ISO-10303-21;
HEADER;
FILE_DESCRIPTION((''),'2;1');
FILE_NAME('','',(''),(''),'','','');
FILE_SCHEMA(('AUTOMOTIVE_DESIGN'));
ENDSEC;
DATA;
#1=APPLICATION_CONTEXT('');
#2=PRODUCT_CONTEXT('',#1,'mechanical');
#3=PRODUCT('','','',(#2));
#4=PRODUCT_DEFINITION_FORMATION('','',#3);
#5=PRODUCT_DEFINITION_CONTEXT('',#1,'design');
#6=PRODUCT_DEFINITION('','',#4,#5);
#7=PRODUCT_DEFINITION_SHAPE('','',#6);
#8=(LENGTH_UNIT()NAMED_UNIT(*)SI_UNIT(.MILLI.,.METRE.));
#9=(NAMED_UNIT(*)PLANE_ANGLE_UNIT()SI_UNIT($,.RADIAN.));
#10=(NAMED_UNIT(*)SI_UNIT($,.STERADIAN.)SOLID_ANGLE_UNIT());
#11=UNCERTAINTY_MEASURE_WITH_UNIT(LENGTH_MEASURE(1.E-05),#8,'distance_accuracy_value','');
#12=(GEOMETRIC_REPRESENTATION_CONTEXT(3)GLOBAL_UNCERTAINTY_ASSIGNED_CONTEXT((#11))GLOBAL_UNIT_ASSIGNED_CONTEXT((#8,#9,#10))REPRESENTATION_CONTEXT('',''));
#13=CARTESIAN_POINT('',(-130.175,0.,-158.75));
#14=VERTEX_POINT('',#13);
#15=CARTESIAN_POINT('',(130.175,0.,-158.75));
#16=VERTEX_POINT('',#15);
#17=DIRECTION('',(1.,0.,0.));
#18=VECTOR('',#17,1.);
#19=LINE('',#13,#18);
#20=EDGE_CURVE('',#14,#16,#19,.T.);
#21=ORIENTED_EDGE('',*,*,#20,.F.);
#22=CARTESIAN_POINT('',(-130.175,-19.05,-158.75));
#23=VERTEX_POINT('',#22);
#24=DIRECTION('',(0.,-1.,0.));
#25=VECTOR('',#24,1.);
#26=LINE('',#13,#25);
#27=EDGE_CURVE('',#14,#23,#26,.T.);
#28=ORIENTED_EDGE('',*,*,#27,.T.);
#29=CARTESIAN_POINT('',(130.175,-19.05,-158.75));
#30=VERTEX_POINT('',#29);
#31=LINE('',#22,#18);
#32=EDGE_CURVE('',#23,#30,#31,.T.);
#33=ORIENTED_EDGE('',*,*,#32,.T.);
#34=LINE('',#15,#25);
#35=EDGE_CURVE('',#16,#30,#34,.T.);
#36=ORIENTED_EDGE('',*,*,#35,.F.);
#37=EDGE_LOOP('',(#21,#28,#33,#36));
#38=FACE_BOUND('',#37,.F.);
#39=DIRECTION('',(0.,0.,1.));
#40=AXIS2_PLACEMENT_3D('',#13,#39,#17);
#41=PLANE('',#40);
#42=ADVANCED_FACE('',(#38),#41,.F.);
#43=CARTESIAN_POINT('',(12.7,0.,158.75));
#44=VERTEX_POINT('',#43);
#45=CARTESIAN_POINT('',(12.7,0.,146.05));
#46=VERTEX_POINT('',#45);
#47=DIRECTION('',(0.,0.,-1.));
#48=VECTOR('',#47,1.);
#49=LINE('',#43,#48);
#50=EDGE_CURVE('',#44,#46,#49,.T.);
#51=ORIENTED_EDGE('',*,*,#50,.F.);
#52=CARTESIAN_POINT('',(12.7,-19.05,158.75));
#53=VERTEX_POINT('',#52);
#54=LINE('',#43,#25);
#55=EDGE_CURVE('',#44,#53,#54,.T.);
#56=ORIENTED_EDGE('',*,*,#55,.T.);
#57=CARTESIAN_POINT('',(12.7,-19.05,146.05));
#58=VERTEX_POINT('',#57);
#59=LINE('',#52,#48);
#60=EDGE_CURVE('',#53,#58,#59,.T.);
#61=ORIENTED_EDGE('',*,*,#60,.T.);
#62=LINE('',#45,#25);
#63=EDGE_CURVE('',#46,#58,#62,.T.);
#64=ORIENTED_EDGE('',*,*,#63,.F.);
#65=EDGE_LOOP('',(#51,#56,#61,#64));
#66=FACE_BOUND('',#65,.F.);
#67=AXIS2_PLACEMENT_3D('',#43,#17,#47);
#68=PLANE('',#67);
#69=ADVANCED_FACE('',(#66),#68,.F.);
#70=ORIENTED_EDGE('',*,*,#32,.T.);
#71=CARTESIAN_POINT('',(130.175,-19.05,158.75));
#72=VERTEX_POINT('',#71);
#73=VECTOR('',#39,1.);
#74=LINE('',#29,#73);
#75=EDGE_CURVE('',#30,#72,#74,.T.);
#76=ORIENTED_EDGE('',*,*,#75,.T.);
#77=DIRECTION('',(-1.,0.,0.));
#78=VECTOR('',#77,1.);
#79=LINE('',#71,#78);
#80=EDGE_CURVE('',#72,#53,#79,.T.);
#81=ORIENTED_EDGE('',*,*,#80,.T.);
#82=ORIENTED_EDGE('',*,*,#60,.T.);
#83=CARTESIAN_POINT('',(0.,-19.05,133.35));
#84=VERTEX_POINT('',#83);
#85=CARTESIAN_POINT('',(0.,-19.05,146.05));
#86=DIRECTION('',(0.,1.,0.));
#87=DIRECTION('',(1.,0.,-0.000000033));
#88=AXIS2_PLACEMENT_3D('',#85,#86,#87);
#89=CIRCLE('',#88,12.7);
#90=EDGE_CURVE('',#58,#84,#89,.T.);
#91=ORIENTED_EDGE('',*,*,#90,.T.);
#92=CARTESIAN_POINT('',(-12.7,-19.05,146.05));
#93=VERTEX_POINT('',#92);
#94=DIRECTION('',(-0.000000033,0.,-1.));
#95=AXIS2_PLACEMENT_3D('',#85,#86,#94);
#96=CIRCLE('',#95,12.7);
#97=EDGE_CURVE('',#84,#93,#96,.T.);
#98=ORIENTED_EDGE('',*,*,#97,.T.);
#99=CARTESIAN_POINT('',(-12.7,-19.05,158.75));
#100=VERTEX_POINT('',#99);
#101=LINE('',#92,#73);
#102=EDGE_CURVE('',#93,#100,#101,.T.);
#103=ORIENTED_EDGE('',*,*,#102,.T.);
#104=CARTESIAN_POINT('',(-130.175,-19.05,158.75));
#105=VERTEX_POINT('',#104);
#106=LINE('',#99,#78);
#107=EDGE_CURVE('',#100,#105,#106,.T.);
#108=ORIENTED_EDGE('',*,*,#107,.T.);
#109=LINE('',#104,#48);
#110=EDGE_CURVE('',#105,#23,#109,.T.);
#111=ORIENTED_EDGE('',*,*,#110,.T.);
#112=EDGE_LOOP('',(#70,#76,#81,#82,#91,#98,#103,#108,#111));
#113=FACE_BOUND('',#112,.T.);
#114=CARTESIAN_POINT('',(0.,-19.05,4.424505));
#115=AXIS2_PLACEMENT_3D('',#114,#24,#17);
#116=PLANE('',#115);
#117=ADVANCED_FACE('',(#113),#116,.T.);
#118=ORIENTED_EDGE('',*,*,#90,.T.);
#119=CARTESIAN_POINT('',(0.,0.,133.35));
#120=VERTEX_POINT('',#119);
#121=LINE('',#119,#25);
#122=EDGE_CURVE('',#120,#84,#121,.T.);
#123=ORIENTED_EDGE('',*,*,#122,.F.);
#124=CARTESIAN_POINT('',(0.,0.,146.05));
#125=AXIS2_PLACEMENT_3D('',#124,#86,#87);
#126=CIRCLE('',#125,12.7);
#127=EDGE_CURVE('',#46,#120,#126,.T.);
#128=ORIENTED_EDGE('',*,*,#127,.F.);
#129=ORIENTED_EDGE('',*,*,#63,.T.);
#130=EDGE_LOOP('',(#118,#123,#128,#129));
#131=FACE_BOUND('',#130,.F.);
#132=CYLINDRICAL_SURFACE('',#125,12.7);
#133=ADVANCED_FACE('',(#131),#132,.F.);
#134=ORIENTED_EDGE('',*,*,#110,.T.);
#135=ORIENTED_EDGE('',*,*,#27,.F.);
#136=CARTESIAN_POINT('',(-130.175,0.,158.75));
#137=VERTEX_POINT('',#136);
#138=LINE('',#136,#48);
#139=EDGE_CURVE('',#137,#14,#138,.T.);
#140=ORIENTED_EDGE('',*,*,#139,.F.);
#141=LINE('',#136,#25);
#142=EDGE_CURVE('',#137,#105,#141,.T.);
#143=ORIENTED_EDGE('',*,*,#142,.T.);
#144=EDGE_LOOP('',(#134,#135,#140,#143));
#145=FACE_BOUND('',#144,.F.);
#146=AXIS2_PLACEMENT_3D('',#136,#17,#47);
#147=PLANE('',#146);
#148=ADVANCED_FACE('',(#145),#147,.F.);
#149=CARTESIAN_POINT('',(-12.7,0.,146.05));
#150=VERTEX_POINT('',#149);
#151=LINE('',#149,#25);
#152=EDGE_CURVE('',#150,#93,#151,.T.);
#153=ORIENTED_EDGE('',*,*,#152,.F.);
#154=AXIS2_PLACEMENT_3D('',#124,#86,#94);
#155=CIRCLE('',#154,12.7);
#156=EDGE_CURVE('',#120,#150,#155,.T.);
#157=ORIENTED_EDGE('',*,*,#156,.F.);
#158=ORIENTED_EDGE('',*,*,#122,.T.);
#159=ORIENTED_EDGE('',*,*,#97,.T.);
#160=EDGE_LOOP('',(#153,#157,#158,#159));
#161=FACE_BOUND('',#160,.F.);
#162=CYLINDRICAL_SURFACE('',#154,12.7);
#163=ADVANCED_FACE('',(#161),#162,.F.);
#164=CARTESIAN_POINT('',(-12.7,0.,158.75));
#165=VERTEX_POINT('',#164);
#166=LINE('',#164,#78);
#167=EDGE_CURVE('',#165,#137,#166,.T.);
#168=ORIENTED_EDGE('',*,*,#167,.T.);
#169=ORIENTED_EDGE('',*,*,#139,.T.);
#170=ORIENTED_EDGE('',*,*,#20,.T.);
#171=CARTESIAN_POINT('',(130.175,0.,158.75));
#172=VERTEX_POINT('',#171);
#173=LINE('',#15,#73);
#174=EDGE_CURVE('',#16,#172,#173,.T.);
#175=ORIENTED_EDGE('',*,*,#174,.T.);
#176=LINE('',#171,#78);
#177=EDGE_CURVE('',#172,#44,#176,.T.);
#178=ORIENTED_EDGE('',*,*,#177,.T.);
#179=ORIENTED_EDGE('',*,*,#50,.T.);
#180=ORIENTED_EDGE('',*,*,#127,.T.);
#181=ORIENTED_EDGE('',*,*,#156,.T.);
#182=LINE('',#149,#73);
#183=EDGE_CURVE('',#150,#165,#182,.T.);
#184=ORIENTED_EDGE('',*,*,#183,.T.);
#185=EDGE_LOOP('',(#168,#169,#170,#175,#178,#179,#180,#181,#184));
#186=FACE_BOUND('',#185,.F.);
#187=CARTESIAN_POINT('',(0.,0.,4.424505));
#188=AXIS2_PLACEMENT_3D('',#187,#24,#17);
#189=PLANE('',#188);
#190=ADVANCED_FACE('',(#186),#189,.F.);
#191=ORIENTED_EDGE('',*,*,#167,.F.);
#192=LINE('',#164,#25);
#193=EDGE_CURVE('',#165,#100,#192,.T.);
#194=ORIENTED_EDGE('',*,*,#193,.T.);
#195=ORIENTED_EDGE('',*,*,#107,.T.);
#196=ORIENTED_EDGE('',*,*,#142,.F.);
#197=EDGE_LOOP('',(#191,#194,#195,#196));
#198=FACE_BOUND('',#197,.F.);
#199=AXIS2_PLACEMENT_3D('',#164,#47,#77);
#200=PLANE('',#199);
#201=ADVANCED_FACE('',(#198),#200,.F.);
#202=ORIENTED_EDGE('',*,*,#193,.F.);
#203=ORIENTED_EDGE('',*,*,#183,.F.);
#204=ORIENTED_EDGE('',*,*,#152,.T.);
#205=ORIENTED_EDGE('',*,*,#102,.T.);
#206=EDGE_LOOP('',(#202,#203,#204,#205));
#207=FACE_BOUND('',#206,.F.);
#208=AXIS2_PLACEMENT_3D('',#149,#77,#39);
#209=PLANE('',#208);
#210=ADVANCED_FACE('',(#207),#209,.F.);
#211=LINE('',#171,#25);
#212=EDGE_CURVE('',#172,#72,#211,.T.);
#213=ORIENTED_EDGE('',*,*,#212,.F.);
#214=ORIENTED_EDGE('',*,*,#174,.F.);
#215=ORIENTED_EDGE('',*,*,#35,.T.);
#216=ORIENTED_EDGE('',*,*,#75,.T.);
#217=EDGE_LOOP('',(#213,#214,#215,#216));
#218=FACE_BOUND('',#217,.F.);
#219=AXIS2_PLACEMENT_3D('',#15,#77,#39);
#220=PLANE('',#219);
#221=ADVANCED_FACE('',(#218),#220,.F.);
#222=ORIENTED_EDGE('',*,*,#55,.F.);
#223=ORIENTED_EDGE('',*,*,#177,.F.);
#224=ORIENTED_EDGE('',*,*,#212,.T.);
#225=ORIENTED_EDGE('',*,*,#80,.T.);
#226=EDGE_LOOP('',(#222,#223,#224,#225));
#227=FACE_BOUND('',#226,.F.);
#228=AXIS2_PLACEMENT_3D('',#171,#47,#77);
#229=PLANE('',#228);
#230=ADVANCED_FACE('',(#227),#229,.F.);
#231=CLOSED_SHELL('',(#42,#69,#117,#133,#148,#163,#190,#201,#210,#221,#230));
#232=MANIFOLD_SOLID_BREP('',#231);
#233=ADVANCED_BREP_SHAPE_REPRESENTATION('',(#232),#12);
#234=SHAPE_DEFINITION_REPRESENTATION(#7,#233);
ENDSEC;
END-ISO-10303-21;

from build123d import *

# Parameters (mm, degrees)
F1_DEPTH = 19.05


with BuildPart() as f1:
    # F0 (on Front) → F1 (new body)
    with BuildSketch(Plane.XZ):
        with BuildLine():
            Line((-12.7, 158.75), (-130.175, 158.75))
            Line((-130.175, 158.75), (-130.175, -158.75))
            Line((-130.175, -158.75), (130.175, -158.75))
            Line((130.175, -158.75), (130.175, 158.75))
            Line((130.175, 158.75), (12.7, 158.75))
            Line((12.7, 158.75), (12.7, 146.05))
            ThreePointArc((12.7, 146.05), (8.980256, 137.069744), (0, 133.35))
            ThreePointArc((0, 133.35), (-8.980256, 137.069744), (-12.7, 146.05))
            Line((-12.7, 146.05), (-12.7, 158.75))
        make_face()
    extrude(amount=F1_DEPTH)


solid = f1.part
